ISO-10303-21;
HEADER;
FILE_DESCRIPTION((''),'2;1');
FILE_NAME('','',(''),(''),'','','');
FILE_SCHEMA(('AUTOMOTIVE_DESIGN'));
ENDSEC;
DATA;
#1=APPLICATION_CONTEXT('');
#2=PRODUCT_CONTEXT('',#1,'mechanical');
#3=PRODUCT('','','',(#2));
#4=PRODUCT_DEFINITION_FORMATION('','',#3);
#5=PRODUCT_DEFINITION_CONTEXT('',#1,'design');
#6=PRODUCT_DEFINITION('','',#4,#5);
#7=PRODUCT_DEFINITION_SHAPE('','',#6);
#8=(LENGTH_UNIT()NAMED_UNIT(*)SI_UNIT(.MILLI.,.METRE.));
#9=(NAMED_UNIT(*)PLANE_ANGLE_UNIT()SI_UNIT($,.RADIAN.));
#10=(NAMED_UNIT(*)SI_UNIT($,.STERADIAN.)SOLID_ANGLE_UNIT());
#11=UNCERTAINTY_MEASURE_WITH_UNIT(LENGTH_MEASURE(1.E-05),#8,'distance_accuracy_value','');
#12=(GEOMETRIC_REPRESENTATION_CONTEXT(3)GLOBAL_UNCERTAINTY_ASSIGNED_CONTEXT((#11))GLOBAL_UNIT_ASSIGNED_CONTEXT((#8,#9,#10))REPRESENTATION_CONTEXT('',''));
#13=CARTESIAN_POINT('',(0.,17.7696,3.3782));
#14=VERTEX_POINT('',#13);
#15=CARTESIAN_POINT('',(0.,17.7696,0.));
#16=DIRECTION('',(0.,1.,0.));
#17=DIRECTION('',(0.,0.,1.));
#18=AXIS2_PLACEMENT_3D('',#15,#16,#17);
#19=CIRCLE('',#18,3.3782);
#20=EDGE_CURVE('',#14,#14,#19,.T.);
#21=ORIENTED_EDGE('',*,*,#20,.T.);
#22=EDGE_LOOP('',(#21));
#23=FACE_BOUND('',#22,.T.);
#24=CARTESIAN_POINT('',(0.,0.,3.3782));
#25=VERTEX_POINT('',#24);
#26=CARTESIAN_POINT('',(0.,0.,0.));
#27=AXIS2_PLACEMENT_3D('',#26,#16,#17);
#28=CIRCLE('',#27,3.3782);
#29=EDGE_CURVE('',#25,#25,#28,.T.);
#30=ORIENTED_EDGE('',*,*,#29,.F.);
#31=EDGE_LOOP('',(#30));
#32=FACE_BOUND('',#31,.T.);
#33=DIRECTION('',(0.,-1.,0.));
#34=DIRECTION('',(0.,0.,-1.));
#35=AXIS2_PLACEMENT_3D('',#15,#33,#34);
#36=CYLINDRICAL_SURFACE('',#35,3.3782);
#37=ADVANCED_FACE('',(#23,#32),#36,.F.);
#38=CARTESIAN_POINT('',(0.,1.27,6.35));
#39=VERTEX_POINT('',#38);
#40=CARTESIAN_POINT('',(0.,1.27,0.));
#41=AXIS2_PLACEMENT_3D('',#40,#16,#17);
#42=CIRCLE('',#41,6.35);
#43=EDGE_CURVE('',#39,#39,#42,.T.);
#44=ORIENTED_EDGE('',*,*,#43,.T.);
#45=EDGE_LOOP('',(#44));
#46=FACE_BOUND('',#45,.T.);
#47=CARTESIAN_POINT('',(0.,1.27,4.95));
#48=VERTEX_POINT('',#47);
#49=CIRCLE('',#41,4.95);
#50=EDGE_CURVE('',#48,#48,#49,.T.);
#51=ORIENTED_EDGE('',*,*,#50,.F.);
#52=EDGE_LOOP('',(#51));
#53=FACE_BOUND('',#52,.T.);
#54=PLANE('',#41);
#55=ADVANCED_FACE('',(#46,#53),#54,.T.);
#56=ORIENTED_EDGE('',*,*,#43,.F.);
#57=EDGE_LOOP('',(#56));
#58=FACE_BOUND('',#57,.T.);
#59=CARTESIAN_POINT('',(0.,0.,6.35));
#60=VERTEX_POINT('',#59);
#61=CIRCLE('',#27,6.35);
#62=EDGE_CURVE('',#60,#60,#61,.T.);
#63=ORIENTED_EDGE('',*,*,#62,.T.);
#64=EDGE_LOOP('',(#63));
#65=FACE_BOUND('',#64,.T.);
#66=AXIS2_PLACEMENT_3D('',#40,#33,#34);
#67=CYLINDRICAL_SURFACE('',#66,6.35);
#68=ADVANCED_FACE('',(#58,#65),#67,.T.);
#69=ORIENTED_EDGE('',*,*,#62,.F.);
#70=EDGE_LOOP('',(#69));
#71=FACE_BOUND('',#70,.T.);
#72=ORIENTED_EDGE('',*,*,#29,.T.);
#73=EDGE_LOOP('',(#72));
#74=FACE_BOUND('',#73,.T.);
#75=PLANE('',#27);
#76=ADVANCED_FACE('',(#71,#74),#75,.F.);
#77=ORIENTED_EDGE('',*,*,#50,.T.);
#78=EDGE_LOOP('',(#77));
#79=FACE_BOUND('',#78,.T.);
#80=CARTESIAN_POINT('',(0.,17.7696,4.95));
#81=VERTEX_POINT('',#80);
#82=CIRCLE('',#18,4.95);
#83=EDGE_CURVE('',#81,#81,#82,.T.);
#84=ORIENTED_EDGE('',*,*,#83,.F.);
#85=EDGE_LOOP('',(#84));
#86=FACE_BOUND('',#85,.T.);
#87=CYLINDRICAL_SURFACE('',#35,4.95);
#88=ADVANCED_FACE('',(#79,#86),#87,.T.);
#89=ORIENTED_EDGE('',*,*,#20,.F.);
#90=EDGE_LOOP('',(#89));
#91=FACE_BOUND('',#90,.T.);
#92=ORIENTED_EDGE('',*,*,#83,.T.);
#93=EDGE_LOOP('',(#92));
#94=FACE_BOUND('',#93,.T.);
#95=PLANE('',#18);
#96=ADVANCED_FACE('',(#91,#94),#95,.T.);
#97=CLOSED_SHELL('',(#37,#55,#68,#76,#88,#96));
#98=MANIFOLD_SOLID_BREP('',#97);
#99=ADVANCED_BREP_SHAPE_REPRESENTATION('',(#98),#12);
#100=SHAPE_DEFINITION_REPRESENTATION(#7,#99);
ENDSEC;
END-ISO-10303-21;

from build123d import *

# Parameters (mm, degrees)
SKETCH1_R               = 6.35
BOSS_EXTRUDE1_DEPTH     = 1.27
SKETCH2_R               = 4.95
SKETCH2_R_2             = 3.3782
BOSS_EXTRUDE2_DEPTH     = 16.49959986
SKETCH3_R               = 3.3782
CUT_EXTRUDE1_DEPTH      = 1
CUT_EXTRUDE1_DEPTH_BACK = 18.76959986


with BuildPart() as part:
    # Sketch1 → Boss-Extrude1 (new body)
    with BuildSketch(Plane(origin=(0, 0, 0), x_dir=(1, 0, 0), z_dir=(0, 1, 0))):
        Circle(SKETCH1_R)
    extrude(amount=BOSS_EXTRUDE1_DEPTH)

    # Sketch2 → Boss-Extrude2 (add)
    with BuildSketch(Plane(origin=(0, 1.27, 0), x_dir=(1, 0, 0), z_dir=(0, 1, 0))):
        Circle(SKETCH2_R)
        Circle(SKETCH2_R_2, mode=Mode.SUBTRACT)
    extrude(amount=BOSS_EXTRUDE2_DEPTH)

    # Sketch3 → Cut-Extrude1 (cut, two sides)
    with BuildSketch(Plane(origin=(0, 0, 0), x_dir=(-1, 0, 0), z_dir=(0, -1, 0))) as cut_extrude1_sk:
        Circle(SKETCH3_R)
    extrude(amount=CUT_EXTRUDE1_DEPTH, mode=Mode.SUBTRACT)
    extrude(cut_extrude1_sk.sketch, amount=-CUT_EXTRUDE1_DEPTH_BACK, mode=Mode.SUBTRACT)


solid = part.part
